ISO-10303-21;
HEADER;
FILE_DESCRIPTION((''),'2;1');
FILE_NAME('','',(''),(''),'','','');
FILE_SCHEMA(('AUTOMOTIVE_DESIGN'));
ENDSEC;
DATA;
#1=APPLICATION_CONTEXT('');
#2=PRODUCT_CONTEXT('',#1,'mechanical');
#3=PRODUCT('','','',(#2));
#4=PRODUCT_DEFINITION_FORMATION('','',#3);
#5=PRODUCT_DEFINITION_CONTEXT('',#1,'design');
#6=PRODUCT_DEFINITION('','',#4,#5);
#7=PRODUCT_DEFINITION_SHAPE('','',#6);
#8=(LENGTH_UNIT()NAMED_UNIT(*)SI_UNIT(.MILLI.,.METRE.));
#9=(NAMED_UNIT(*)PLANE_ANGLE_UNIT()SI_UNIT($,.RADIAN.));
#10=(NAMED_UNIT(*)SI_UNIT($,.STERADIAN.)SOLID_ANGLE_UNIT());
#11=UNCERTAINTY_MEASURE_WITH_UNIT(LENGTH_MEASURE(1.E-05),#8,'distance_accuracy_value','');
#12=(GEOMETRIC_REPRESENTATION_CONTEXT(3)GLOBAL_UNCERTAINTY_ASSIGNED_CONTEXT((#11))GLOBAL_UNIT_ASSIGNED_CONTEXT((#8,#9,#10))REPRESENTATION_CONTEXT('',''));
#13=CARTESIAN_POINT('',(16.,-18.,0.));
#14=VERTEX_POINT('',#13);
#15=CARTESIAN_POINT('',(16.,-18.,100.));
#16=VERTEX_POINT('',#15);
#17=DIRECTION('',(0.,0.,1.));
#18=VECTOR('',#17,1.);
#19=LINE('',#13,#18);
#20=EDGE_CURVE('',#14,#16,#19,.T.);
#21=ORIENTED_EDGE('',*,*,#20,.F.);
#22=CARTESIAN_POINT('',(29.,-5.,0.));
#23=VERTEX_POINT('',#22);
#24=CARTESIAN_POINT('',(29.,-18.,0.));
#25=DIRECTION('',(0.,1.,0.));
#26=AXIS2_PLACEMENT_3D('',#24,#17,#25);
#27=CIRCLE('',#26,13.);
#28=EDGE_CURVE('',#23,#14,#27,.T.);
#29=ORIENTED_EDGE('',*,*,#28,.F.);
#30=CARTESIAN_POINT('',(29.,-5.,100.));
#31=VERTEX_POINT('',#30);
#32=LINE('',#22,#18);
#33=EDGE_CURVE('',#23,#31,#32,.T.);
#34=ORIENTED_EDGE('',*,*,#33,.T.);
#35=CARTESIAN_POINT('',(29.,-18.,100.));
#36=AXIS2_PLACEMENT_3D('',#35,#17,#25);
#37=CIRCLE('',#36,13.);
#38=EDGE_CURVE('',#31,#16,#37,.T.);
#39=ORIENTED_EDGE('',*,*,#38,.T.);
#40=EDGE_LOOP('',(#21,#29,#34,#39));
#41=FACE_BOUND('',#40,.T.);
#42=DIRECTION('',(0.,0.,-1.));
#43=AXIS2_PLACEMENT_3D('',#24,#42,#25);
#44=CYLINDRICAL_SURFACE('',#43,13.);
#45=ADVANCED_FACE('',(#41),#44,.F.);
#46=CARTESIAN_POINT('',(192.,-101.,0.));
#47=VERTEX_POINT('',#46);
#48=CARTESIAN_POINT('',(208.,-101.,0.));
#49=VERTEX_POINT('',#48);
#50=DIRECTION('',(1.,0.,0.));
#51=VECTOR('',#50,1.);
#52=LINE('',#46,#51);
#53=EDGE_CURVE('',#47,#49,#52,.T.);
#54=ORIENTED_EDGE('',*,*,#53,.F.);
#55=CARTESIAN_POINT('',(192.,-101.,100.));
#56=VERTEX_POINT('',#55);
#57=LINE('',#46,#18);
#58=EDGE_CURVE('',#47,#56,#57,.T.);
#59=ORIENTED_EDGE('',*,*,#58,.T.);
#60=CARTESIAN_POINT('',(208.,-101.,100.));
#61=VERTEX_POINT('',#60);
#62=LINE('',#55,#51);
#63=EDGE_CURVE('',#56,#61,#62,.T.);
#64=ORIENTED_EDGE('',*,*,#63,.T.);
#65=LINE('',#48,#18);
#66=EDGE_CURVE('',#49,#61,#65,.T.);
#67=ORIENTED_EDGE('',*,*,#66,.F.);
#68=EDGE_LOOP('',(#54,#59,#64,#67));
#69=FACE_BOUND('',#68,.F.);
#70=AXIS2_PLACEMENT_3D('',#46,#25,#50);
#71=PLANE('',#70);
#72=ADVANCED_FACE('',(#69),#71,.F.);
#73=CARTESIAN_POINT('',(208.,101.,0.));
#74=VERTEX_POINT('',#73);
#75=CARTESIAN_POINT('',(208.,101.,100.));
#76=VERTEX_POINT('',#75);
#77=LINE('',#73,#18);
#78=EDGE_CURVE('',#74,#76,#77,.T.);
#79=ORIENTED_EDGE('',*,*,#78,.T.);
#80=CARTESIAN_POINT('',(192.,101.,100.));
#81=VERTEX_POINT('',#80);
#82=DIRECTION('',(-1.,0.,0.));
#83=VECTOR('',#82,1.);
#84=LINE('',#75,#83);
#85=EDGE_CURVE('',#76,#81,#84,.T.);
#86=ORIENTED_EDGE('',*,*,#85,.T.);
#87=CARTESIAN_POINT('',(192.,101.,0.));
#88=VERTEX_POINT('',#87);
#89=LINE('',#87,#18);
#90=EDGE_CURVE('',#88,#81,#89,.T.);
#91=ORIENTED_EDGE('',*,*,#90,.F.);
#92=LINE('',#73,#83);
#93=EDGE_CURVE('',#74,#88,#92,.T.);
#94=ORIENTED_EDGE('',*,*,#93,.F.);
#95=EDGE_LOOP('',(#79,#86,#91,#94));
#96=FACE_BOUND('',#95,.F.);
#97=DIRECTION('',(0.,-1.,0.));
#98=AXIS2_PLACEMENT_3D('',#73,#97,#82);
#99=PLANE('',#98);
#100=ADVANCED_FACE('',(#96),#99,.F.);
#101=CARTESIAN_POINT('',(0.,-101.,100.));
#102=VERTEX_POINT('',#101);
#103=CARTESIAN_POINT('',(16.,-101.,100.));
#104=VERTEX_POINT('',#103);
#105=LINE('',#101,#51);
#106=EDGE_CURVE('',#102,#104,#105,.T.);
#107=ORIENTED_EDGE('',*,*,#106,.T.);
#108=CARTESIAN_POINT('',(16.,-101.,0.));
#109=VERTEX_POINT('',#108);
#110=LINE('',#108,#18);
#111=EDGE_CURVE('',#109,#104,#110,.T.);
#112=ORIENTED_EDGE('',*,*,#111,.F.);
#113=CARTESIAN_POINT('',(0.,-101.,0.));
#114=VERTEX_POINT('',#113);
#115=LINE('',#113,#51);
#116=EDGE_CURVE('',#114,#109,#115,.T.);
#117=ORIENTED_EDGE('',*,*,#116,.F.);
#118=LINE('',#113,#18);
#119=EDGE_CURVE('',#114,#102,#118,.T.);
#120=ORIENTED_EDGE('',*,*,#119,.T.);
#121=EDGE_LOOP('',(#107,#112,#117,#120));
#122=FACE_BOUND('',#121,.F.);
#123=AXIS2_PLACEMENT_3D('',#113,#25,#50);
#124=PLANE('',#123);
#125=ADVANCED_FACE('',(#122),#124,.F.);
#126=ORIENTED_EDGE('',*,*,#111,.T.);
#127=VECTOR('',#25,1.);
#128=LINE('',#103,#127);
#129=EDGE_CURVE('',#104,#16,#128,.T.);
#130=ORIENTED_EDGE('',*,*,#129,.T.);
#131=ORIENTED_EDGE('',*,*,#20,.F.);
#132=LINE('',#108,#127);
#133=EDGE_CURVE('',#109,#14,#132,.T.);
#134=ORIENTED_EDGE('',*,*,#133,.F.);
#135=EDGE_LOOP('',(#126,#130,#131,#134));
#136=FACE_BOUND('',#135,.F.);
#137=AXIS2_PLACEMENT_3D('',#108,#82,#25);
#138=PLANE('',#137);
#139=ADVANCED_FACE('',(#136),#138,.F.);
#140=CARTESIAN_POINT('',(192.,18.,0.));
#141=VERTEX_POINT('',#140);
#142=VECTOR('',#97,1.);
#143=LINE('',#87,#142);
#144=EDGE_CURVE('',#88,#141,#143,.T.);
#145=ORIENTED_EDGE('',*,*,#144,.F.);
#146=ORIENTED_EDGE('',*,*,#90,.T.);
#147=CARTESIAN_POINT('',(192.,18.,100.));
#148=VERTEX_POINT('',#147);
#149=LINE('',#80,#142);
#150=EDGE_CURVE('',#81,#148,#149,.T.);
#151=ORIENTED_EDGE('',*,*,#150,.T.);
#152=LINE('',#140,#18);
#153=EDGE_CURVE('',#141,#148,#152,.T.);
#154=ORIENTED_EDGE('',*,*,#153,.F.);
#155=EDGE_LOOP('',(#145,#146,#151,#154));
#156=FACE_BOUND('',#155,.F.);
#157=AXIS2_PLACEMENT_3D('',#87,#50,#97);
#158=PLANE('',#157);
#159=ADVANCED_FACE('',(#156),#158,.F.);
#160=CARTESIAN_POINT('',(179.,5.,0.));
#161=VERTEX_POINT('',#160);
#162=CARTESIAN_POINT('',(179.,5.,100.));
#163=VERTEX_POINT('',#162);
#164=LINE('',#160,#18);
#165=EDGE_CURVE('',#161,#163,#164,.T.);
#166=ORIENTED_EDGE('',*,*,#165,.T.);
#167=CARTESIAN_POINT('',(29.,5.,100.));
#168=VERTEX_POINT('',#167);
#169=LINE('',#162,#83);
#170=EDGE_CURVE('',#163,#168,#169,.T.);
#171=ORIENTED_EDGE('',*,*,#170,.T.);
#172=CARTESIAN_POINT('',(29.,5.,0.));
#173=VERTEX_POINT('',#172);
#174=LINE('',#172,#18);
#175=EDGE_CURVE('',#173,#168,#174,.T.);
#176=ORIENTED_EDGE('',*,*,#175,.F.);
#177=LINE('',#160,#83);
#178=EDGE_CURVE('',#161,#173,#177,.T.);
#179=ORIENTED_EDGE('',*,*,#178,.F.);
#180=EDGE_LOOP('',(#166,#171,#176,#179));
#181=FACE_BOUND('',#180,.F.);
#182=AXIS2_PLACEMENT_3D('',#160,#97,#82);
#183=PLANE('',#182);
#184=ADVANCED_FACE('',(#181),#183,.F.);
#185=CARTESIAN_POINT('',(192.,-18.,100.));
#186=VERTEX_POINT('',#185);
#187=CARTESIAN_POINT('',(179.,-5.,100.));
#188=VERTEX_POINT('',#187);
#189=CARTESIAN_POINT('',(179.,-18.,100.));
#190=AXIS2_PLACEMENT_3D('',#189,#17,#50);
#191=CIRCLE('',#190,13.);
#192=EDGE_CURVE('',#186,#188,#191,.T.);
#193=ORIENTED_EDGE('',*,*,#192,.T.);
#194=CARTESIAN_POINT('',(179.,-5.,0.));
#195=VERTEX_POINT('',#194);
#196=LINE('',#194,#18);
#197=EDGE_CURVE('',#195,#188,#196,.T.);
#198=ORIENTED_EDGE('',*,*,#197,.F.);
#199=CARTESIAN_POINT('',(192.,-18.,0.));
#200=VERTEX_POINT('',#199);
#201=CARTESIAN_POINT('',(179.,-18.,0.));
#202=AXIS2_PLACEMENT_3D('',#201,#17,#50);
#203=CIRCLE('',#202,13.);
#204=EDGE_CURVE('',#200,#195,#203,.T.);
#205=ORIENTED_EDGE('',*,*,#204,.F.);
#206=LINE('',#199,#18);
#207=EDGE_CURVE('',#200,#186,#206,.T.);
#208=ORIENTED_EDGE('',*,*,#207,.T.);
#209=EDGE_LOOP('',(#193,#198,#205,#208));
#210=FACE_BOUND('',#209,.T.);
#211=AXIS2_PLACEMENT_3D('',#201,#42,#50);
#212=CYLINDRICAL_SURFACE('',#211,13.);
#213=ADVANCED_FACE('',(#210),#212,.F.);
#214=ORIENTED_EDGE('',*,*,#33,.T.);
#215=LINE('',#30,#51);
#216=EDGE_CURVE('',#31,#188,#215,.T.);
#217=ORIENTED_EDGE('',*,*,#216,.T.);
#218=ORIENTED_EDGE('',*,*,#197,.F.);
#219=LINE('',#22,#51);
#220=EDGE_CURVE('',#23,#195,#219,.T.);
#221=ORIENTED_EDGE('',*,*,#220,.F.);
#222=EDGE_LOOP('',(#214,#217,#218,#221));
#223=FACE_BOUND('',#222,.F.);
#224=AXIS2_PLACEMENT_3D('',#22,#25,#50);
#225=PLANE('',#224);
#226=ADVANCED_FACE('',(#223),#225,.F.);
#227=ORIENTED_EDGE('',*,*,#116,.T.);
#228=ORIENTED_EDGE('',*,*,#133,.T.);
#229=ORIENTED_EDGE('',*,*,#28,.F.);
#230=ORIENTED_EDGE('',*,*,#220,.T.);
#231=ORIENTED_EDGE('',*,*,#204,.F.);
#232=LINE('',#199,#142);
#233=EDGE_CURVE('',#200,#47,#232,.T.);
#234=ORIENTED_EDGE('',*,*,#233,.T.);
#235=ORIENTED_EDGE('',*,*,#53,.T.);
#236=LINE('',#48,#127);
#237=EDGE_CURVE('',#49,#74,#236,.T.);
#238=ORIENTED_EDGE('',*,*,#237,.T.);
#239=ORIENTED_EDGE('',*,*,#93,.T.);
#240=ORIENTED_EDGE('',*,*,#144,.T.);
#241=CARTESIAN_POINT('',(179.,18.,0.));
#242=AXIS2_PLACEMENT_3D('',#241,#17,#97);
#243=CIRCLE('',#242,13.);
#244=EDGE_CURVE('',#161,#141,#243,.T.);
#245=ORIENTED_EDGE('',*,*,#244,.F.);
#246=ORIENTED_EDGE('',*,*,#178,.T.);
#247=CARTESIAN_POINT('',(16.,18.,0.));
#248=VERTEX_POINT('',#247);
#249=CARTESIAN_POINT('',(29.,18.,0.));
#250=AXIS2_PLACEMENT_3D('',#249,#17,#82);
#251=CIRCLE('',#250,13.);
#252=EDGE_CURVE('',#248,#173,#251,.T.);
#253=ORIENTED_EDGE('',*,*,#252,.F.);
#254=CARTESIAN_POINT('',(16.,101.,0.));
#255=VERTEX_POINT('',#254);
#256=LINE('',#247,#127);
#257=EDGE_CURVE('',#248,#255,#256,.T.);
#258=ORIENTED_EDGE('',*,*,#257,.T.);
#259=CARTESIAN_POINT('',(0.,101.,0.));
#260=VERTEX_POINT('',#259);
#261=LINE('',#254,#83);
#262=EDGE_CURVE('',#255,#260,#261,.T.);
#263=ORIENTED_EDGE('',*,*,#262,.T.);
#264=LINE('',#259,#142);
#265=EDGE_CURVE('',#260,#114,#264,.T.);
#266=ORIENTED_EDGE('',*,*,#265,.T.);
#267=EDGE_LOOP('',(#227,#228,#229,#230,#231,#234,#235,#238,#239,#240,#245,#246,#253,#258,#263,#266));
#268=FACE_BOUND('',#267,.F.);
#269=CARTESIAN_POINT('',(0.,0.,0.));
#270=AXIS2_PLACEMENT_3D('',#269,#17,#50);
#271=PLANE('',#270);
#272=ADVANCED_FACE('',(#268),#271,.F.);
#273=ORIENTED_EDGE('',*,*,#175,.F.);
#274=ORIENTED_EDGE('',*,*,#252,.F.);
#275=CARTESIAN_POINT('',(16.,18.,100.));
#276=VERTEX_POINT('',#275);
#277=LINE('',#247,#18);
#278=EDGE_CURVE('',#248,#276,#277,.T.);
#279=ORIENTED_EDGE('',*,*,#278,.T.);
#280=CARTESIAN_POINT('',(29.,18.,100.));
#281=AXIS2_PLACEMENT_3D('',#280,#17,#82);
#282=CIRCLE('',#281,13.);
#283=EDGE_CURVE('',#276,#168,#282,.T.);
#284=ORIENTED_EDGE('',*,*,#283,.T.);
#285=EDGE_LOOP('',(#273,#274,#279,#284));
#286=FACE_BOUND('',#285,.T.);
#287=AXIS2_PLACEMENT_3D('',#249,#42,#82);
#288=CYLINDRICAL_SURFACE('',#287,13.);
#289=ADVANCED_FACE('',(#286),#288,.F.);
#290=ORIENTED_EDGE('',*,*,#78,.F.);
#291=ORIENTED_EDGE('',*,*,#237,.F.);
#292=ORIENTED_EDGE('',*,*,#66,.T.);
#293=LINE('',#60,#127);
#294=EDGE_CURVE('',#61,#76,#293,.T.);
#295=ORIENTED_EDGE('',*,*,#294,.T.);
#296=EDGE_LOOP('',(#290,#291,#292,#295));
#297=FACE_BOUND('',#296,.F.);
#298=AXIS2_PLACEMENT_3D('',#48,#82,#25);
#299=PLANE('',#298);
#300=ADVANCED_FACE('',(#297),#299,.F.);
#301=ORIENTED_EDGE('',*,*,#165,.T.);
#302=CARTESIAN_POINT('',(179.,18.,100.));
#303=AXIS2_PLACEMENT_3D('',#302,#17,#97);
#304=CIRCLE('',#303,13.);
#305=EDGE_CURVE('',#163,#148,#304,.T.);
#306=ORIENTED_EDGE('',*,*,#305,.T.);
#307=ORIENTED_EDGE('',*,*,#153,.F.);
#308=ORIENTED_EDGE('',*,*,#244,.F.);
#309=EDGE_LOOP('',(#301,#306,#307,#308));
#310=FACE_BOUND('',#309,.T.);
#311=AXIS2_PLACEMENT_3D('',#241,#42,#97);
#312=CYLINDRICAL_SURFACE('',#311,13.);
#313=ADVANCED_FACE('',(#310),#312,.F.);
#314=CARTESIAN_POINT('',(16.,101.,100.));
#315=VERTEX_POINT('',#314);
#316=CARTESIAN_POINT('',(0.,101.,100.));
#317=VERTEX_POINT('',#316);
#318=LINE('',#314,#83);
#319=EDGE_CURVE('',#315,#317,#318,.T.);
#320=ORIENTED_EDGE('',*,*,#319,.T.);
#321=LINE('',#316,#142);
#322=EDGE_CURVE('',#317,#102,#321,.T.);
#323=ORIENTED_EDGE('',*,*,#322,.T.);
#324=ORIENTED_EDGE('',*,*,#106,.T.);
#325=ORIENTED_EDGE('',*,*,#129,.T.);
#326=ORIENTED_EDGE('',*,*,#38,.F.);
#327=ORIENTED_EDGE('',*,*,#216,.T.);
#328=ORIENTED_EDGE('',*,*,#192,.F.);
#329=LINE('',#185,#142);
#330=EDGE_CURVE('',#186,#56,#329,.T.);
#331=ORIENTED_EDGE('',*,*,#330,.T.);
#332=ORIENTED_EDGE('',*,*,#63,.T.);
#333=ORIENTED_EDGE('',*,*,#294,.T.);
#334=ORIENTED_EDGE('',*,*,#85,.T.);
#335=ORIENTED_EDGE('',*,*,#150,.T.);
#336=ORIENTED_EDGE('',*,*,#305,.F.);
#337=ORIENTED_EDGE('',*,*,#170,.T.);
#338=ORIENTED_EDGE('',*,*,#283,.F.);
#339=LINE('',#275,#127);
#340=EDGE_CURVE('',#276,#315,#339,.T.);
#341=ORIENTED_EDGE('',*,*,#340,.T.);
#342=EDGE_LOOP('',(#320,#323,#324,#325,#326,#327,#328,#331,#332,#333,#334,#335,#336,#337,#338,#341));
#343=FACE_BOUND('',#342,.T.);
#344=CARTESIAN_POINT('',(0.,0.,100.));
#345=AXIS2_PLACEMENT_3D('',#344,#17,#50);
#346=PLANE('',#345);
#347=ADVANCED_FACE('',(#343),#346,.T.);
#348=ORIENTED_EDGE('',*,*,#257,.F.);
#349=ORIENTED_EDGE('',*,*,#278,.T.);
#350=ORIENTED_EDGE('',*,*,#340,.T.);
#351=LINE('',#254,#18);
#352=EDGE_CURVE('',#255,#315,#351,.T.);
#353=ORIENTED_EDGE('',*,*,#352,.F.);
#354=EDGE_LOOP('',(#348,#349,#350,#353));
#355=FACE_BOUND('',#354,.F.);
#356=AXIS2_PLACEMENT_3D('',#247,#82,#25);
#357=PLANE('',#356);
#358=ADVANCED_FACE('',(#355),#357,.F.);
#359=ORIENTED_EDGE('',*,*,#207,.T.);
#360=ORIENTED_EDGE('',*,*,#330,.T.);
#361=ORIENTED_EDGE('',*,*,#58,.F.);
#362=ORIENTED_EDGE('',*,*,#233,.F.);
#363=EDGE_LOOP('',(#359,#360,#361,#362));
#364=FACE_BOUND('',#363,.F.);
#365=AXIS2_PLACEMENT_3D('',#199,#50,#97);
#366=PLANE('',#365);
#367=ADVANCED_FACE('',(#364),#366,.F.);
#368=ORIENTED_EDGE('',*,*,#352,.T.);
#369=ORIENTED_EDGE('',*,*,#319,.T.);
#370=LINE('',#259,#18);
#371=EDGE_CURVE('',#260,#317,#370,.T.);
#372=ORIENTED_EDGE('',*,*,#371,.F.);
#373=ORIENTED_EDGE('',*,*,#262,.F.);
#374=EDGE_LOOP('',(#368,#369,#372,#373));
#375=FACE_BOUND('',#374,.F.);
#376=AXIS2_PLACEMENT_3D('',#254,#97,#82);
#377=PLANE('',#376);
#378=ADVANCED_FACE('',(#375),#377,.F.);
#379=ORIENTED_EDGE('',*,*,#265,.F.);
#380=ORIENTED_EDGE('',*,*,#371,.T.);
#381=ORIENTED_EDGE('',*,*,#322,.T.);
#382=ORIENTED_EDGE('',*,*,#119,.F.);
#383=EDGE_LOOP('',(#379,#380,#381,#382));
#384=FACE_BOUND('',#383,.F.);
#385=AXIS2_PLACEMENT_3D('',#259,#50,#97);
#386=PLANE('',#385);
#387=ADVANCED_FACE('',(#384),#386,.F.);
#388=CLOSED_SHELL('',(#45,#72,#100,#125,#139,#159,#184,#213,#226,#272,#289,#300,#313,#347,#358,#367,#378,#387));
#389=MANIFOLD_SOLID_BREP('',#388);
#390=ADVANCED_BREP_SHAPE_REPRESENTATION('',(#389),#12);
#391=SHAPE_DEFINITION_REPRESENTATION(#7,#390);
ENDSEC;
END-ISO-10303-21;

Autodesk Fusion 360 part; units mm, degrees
sketch "スケッチ1" plane through (0, 0, 0) normal (0, 0, 1) x (1, 0, 0)
  line L0 (0, 101) -> (0, -101)
  line L1 (208, -101) -> (208, 101)
  line L2 (29, -5) -> (179, -5)
  line L3 (16, -101) -> (16, -18)
  line L4 (0, -101) -> (16, -101)
  arc A0 (29, -5) -> (16, -18) centre (29, -18) ccw
  line L5 (192, -18) -> (192, -101)
  line L6 (192, -101) -> (208, -101)
  arc A1 (192, -18) -> (179, -5) centre (179, -18) ccw
  line L7 (179, 5) -> (29, 5)
  line L8 (16, 18) -> (16, 101)
  arc A2 (16, 18) -> (29, 5) centre (29, 18) ccw
  line L9 (16, 101) -> (0, 101)
  line L10 (192, 101) -> (192, 18)
  arc A3 (179, 5) -> (192, 18) centre (179, 18) ccw
  line L11 (208, 101) -> (192, 101)
extrude "押し出し1" add sketch "スケッチ1" along normal blind 100
